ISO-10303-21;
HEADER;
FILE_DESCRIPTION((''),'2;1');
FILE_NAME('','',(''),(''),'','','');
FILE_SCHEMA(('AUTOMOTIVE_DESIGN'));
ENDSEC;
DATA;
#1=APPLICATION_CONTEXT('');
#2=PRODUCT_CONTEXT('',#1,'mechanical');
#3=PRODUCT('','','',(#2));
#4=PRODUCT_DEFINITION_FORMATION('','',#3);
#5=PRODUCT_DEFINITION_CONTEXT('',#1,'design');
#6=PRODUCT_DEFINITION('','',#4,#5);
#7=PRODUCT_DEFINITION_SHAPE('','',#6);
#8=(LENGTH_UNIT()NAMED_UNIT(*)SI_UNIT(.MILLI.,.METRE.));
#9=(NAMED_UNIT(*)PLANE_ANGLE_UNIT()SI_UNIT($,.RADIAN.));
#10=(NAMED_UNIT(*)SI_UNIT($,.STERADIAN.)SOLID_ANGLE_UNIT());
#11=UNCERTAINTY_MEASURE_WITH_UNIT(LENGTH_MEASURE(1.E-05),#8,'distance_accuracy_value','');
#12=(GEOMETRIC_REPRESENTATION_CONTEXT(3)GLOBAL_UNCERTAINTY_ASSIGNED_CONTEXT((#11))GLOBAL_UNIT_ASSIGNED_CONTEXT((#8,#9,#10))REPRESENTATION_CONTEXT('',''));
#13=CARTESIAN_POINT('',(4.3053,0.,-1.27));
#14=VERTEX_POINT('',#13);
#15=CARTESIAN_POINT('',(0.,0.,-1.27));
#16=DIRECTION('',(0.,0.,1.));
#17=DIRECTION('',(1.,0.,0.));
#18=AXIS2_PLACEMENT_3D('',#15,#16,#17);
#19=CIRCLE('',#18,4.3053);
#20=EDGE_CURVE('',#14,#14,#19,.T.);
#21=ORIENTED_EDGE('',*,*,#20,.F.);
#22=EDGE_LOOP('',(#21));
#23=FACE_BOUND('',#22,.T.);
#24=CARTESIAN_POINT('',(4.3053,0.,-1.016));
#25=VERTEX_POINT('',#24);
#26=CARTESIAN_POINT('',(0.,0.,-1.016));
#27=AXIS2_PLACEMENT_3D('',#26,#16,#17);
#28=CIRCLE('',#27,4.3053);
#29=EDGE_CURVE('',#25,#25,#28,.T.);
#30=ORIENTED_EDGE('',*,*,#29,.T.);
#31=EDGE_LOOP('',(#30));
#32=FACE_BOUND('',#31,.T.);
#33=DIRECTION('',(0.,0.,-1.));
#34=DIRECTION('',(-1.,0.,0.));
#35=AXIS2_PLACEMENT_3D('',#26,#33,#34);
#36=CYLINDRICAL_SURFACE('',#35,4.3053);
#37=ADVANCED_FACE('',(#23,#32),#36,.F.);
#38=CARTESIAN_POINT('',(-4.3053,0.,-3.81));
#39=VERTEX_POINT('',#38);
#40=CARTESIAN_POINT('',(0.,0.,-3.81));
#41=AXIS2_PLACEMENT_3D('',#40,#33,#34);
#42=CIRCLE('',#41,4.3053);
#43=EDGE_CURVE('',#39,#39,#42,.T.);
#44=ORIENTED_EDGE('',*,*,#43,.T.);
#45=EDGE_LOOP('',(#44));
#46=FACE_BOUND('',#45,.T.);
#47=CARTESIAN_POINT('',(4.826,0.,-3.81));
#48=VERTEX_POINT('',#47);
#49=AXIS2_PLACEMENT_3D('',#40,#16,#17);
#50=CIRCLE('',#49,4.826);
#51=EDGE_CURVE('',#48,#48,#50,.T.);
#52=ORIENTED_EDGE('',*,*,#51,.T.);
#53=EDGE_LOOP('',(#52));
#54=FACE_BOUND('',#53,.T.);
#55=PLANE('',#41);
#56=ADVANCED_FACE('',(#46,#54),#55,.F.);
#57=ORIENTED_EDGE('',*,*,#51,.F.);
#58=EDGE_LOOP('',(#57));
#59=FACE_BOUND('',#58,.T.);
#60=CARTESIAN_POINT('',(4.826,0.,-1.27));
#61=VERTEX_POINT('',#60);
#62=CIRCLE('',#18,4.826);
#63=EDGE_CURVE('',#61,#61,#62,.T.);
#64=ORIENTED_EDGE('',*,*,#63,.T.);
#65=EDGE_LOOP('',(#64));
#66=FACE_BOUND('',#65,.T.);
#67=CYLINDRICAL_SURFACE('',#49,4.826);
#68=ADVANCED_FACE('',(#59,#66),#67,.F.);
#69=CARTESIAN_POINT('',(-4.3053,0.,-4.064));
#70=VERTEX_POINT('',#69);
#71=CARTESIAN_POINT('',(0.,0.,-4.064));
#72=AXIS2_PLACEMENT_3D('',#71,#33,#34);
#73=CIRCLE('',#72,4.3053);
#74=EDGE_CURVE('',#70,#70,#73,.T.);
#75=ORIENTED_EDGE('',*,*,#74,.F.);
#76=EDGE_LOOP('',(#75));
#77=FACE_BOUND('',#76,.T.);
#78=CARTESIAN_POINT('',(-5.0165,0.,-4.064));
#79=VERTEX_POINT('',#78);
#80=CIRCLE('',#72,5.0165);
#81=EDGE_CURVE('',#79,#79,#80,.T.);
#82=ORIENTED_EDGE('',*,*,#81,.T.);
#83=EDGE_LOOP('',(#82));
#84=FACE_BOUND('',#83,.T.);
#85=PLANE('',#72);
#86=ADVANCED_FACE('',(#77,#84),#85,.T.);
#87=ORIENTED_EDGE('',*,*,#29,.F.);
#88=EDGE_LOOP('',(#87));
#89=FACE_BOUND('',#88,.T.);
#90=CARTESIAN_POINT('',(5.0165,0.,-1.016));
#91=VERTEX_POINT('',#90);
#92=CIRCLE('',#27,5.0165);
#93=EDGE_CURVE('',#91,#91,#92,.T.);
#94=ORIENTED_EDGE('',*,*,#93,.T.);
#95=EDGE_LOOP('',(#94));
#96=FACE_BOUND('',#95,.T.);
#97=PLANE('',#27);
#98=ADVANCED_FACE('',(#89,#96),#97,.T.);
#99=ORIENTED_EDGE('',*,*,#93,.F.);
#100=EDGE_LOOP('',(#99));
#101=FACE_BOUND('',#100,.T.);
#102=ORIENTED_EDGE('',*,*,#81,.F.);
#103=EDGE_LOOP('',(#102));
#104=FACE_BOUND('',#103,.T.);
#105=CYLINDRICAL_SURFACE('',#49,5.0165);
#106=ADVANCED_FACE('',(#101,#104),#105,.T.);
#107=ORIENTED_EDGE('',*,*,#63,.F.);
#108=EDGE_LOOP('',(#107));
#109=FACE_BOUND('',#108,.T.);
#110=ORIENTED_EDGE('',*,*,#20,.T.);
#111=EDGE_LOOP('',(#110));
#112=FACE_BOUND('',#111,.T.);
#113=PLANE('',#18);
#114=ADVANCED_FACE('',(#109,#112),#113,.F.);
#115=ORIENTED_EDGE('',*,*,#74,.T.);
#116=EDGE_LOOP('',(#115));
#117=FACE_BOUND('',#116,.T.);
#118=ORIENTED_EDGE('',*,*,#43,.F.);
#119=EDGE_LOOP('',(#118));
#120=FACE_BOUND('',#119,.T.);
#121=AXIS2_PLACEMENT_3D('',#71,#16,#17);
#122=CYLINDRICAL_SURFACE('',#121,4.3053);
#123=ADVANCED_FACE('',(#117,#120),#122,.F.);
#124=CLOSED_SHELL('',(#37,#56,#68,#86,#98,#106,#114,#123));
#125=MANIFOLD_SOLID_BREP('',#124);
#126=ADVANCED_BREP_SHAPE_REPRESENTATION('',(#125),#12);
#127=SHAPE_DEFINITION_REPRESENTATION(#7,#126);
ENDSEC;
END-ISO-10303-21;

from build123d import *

# Parameters (mm, degrees)
SKETCH2_R           = 8.6106
BOSS_EXTRUDE1_DEPTH = 4.064
SKETCH3_R           = 10.033
BOSS_EXTRUDE2_DEPTH = 5.08
SKETCH4_R           = 8.6106
CUT_EXTRUDE1_DEPTH  = 6.08
SKETCH9_R           = 10.033
SKETCH9_R_2         = 8.128
BOSS_EXTRUDE3_DEPTH = 0.508
SKETCH10_R          = 10.033
SKETCH10_R_2        = 8.128
BOSS_EXTRUDE4_DEPTH = 0.508
SKETCH12_R          = 9.271
CUT_EXTRUDE2_DEPTH  = 7.096
SKETCH13_R          = 10.033
CUT_EXTRUDE3_DEPTH  = 0.508
SKETCH15_R          = 10.033
SKETCH15_R_2        = 9.271
CUT_EXTRUDE4_DEPTH  = 0.508
SKETCH16_R          = 9.652
SKETCH16_R_2        = 9.271
CUT_EXTRUDE5_DEPTH  = 6.08
SKETCH17_R          = 10.033
SKETCH17_R_2        = 8.6106
BOSS_EXTRUDE5_DEPTH = 0.508
SKETCH18_R          = 10.033
SKETCH18_R_2        = 8.6106
BOSS_EXTRUDE6_DEPTH = 0.508
SCALE1_SCALE        = 0.5


with BuildPart() as part:
    # Sketch2 → Boss-Extrude1 (new body)
    with BuildSketch(Plane.XY):
        Circle(SKETCH2_R)
    extrude(amount=-BOSS_EXTRUDE1_DEPTH)

    # Sketch3 → Boss-Extrude2 (add)
    with BuildSketch(Plane.XY):
        Circle(SKETCH3_R)
    extrude(amount=-BOSS_EXTRUDE2_DEPTH)

    # Sketch4 → Cut-Extrude1 (cut, through all)
    with BuildSketch(Plane.XY):
        Circle(SKETCH4_R)
    extrude(amount=-CUT_EXTRUDE1_DEPTH, mode=Mode.SUBTRACT)

    # Sketch9 → Boss-Extrude3 (add)
    with BuildSketch(Plane.XY):
        Circle(SKETCH9_R)
        Circle(SKETCH9_R_2, mode=Mode.SUBTRACT)
    extrude(amount=BOSS_EXTRUDE3_DEPTH)

    # Sketch10 → Boss-Extrude4 (add)
    with BuildSketch(Plane(origin=(0, 0, -5.08), x_dir=(-1, 0, 0), z_dir=(0, 0, -1))):
        Circle(SKETCH10_R)
        Circle(SKETCH10_R_2, mode=Mode.SUBTRACT)
    extrude(amount=BOSS_EXTRUDE4_DEPTH)

    # Sketch12 → Cut-Extrude2 (cut, through all)
    with BuildSketch(Plane(origin=(0, 0, -5.588), x_dir=(-1, 0, 0), z_dir=(0, 0, -1))):
        Circle(SKETCH12_R)
    extrude(amount=-CUT_EXTRUDE2_DEPTH, mode=Mode.SUBTRACT)

    # Sketch13 → Cut-Extrude3 (cut)
    with BuildSketch(Plane(origin=(0, 0, -5.588), x_dir=(-1, 0, 0), z_dir=(0, 0, -1))):
        Circle(SKETCH13_R)
    extrude(amount=-CUT_EXTRUDE3_DEPTH, mode=Mode.SUBTRACT)

    # Sketch15 → Cut-Extrude4 (cut)
    with BuildSketch(Plane.XY.offset(0.508)):
        Circle(SKETCH15_R)
        Circle(SKETCH15_R_2, mode=Mode.SUBTRACT)
    extrude(amount=-CUT_EXTRUDE4_DEPTH, mode=Mode.SUBTRACT)

    # Sketch16 → Cut-Extrude5 (cut, through all)
    with BuildSketch(Plane.XY):
        Circle(SKETCH16_R)
        Circle(SKETCH16_R_2, mode=Mode.SUBTRACT)
    extrude(amount=-CUT_EXTRUDE5_DEPTH, mode=Mode.SUBTRACT)

    # Sketch17 → Boss-Extrude5 (add)
    with BuildSketch(Plane.XY):
        Circle(SKETCH17_R)
        Circle(SKETCH17_R_2, mode=Mode.SUBTRACT)
    extrude(amount=BOSS_EXTRUDE5_DEPTH)

    # Sketch18 → Boss-Extrude6 (add)
    with BuildSketch(Plane(origin=(0, 0, -5.08), x_dir=(-1, 0, 0), z_dir=(0, 0, -1))):
        Circle(SKETCH18_R)
        Circle(SKETCH18_R_2, mode=Mode.SUBTRACT)
    extrude(amount=BOSS_EXTRUDE6_DEPTH)


with BuildPart() as part_1:
    # Scale1: scaled about (0, 0, -2.54)
    add(part.part.scale(SCALE1_SCALE).moved(Location((0, 0, -1.27))))


solid = part_1.part
